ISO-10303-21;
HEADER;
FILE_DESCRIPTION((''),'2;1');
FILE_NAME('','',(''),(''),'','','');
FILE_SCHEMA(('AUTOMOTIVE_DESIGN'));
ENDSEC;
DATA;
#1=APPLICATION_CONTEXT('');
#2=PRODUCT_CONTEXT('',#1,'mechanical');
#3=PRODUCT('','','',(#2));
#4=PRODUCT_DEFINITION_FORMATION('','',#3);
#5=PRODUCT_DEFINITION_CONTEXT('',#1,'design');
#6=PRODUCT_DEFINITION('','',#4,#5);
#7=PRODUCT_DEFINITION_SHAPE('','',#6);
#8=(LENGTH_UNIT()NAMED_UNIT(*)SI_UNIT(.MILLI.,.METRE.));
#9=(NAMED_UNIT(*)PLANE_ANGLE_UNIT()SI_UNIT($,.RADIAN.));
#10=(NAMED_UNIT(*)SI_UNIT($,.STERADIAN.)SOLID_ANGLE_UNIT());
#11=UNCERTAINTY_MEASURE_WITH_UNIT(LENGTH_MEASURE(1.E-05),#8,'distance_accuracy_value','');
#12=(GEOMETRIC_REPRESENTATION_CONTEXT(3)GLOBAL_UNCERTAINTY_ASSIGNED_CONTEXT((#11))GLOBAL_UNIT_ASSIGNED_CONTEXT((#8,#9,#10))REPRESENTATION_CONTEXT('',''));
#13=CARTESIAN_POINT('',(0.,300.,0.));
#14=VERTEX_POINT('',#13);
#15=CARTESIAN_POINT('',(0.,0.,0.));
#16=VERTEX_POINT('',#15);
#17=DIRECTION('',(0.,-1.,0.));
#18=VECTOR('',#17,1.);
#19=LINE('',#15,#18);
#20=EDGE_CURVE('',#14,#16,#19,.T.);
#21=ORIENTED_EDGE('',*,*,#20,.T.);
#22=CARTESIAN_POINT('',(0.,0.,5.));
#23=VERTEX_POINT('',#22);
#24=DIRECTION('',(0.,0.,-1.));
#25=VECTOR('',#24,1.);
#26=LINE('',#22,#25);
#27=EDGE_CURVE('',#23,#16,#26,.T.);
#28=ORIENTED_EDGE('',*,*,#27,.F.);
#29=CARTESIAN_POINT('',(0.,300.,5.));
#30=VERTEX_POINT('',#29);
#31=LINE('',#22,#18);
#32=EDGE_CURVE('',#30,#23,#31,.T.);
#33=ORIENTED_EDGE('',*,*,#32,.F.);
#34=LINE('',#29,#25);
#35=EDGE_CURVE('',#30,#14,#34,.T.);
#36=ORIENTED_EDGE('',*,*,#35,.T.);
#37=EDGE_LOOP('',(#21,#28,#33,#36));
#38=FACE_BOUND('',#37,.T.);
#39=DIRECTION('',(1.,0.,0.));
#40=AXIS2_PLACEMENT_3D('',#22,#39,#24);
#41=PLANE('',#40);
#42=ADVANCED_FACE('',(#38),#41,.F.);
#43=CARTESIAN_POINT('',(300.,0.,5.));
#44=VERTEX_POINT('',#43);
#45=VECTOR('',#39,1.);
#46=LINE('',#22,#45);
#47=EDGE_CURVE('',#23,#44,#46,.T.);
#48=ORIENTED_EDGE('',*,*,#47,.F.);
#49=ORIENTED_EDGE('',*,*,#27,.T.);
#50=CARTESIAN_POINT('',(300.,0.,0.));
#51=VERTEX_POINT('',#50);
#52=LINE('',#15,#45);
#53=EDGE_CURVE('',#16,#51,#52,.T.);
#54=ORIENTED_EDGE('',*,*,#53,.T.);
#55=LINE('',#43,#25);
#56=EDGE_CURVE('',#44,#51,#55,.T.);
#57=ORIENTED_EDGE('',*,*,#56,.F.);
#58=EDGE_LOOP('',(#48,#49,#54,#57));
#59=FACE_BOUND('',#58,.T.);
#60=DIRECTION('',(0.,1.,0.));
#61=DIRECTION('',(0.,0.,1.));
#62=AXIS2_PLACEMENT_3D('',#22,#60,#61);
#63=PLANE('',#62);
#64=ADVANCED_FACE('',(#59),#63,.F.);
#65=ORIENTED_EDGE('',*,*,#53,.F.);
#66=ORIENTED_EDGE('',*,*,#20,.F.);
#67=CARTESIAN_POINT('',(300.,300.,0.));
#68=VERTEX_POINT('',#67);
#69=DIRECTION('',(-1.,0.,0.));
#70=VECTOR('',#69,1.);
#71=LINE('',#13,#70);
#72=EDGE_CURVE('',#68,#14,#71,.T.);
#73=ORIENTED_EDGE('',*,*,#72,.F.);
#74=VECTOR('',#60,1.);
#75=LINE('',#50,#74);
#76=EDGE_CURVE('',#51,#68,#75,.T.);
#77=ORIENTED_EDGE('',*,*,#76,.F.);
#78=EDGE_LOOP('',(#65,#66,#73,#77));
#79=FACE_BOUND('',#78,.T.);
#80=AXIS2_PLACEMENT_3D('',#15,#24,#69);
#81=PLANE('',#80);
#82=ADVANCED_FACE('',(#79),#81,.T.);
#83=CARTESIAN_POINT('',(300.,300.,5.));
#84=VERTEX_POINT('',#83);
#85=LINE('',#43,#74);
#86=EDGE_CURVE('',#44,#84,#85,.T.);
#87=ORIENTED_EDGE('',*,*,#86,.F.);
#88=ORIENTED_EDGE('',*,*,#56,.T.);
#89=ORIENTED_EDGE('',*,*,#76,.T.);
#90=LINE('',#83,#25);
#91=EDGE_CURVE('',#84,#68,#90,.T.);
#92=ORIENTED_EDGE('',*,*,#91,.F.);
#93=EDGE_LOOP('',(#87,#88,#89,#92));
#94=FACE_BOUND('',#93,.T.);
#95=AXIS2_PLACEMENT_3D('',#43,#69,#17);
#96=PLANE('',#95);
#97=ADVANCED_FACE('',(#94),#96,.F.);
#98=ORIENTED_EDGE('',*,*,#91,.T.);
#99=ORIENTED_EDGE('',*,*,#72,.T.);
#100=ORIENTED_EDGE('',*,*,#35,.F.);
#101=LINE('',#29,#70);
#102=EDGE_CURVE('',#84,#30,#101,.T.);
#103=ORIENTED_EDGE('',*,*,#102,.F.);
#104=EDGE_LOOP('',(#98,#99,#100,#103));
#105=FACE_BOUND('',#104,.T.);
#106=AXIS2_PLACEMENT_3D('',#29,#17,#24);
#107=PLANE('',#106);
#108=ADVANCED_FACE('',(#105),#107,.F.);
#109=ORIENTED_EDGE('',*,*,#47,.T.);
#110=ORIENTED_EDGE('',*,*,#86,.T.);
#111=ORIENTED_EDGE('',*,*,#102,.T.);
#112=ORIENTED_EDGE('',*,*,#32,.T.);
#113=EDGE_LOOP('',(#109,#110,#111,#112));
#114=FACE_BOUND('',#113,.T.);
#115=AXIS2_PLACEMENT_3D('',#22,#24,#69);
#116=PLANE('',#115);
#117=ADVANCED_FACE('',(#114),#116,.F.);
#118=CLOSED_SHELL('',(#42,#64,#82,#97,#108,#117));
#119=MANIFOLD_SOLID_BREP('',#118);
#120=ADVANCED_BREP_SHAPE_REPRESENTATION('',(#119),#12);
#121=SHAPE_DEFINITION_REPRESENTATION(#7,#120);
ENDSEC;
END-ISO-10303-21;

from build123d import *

# Parameters (mm, degrees)
SZKIC1_W                    = 300
SZKIC1_H                    = 300
DODANIE_WYCI_GNI_CIE1_DEPTH = 5


with BuildPart() as part:
    # Szkic1 → Dodanie-wyciągnięcie1 (new body)
    with BuildSketch(Plane.XY):
        with Locations((150, 150)):
            Rectangle(SZKIC1_W, SZKIC1_H)
    extrude(amount=DODANIE_WYCI_GNI_CIE1_DEPTH)


solid = part.part
